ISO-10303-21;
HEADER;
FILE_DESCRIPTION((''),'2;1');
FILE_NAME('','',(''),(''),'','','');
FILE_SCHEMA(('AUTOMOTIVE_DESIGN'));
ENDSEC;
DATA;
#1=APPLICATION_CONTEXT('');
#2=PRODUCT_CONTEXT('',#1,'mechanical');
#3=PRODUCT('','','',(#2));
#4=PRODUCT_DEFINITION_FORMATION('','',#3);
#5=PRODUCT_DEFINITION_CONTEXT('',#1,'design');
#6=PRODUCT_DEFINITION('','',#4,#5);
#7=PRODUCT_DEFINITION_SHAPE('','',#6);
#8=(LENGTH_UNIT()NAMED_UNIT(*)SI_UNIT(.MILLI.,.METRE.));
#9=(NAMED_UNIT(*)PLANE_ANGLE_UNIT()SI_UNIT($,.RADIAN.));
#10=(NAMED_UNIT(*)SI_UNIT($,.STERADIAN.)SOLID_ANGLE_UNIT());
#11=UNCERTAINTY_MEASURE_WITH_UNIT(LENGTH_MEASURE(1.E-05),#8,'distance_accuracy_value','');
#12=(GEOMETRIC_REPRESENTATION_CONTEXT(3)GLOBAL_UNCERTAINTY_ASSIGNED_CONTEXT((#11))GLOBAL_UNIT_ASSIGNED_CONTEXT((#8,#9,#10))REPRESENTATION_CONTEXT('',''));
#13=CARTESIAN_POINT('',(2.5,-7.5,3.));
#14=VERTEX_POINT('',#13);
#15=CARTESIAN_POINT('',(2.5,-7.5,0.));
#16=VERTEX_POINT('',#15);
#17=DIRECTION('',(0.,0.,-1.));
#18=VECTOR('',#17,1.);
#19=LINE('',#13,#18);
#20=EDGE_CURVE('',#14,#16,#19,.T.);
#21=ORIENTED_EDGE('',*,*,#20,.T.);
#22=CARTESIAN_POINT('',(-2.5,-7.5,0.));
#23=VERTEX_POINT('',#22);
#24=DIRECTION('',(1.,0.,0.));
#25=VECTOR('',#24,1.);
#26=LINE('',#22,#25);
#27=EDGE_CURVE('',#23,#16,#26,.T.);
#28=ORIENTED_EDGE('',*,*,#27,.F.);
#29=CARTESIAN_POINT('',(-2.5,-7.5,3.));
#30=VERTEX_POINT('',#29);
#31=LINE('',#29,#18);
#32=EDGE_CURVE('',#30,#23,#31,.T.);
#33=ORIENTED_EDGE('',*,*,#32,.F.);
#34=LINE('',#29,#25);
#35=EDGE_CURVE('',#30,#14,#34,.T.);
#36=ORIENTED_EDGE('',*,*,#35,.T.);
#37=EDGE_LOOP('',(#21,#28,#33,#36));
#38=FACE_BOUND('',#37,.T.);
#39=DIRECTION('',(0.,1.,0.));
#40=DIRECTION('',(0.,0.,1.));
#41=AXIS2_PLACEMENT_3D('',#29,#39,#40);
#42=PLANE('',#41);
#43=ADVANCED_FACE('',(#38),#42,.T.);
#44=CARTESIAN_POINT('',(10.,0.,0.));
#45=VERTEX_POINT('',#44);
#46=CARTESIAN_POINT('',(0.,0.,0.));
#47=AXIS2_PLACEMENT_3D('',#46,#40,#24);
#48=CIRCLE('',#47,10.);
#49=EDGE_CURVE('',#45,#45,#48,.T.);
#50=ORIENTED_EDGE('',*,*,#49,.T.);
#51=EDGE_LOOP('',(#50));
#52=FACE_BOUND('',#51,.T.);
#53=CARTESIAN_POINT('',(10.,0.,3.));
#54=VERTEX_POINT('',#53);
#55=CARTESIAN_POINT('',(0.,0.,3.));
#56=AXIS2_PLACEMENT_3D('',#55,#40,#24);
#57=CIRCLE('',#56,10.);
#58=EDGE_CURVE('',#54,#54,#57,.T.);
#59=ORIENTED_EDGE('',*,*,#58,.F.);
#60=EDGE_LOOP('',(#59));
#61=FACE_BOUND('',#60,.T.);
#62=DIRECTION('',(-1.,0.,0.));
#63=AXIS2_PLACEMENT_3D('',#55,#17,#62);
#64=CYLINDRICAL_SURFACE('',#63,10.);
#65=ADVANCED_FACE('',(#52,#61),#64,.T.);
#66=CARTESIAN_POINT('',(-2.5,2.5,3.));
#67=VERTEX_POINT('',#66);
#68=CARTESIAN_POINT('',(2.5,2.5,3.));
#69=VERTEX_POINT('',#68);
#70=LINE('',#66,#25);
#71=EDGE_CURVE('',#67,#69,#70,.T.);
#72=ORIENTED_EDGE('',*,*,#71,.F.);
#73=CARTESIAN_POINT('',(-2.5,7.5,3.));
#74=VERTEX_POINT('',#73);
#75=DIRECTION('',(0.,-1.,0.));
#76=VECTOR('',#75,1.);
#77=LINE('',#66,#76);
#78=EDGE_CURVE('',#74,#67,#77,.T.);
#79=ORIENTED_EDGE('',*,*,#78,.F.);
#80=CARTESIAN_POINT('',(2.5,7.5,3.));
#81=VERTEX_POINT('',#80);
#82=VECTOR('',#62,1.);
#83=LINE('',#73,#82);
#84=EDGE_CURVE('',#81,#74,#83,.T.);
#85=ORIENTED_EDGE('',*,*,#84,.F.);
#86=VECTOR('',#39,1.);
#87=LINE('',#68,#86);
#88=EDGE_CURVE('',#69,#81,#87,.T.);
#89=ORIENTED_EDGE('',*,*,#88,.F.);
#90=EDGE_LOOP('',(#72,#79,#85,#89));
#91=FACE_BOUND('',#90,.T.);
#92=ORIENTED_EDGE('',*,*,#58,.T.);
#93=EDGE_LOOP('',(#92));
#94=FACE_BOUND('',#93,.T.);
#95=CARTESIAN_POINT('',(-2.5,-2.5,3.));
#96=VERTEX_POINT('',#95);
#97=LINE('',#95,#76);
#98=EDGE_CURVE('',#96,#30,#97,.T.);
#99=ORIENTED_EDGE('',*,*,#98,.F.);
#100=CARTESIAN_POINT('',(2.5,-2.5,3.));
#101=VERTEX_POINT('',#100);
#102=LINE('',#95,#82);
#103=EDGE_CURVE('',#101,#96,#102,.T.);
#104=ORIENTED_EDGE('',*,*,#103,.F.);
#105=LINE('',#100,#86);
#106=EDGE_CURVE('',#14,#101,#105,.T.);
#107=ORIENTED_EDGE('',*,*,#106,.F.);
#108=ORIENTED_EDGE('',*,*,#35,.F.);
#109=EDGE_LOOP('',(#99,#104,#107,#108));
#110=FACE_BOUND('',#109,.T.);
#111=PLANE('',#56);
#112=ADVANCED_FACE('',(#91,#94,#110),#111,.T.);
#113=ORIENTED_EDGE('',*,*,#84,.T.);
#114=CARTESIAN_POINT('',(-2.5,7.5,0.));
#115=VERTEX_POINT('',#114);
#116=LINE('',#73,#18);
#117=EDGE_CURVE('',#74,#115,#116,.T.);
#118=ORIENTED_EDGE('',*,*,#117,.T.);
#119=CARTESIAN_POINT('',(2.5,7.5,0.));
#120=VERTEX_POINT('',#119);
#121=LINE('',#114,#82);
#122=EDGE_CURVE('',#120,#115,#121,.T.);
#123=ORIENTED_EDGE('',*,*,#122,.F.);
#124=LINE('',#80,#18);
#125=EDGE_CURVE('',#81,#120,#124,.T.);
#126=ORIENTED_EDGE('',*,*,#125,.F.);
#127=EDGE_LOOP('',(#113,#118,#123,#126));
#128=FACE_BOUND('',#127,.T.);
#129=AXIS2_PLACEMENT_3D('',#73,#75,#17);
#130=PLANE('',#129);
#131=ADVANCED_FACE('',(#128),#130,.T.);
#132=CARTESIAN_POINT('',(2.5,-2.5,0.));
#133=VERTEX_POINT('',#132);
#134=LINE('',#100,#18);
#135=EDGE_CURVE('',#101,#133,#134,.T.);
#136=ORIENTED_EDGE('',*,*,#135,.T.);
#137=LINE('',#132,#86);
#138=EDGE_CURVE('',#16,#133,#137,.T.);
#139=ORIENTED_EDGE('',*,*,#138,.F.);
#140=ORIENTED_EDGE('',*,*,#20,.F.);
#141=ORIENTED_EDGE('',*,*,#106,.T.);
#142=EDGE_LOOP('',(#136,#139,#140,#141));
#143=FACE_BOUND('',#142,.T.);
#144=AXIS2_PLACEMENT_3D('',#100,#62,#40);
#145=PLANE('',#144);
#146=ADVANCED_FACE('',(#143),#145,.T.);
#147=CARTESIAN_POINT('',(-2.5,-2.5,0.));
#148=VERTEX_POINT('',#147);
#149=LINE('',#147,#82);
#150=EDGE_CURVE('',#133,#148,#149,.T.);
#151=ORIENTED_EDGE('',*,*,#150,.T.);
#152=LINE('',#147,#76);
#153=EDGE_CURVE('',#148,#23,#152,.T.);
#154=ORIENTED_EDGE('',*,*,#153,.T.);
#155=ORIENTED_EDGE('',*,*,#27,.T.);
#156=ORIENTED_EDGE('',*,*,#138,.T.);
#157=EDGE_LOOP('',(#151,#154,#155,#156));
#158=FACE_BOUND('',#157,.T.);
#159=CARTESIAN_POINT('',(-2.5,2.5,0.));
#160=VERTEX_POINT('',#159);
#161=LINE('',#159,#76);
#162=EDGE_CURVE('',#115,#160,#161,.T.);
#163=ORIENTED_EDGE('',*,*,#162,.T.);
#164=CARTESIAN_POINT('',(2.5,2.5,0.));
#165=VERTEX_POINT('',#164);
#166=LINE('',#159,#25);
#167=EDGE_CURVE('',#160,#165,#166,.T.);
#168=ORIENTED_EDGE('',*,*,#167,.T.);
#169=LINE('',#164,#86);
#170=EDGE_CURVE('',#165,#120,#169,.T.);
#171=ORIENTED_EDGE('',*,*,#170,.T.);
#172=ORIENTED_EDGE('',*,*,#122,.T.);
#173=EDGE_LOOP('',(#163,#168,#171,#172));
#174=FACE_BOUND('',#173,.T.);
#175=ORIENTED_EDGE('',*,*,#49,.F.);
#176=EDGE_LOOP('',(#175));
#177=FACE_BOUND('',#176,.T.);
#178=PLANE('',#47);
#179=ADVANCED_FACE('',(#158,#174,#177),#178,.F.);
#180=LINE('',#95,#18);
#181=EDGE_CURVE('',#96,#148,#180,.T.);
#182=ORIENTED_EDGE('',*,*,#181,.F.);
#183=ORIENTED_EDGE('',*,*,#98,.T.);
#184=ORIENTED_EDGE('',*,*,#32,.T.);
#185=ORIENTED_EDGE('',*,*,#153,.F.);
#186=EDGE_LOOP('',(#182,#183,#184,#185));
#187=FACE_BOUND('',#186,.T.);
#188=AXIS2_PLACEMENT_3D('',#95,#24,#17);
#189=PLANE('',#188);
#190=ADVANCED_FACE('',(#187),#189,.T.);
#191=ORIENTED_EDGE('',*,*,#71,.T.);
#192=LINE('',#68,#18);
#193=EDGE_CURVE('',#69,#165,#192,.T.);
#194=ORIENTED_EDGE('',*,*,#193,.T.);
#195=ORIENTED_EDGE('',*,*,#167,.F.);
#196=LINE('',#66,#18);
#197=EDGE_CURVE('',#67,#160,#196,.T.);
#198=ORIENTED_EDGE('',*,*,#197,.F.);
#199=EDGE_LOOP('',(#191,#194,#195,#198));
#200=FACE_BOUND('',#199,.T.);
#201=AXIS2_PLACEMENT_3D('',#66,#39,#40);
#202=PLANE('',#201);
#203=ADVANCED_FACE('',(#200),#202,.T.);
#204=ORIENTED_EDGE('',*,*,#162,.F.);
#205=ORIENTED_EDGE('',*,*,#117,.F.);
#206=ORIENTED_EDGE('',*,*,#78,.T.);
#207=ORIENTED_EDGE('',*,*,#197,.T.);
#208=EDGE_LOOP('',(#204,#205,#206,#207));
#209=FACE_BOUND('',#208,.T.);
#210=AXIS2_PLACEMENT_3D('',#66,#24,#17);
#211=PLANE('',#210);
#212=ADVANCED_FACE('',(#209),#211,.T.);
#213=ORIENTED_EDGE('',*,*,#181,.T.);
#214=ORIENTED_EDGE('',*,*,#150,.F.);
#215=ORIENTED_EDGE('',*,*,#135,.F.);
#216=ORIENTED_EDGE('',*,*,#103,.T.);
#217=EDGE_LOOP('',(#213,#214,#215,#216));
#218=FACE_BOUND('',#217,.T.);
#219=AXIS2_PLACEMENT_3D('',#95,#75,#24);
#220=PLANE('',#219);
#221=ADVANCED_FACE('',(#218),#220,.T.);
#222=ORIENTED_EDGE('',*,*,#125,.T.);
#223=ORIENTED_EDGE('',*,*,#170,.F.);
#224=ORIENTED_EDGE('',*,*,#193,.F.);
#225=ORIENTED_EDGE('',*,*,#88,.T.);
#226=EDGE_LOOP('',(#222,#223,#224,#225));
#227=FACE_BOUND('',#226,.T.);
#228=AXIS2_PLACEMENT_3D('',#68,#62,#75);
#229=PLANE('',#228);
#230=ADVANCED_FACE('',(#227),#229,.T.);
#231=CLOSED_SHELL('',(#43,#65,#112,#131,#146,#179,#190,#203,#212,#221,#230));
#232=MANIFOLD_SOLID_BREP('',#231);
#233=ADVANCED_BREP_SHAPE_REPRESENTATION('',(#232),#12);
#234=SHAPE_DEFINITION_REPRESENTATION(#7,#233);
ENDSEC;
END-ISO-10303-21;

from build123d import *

# Parameters (mm, degrees)
ESQUISSE1_R        = 10
ESQUISSE1_W        = 5
ESQUISSE1_H        = 5
BOSS_EXTRU_1_DEPTH = 3


with BuildPart() as part:
    # Esquisse1 → Boss.-Extru.1 (new body)
    with BuildSketch(Plane.XY):
        Circle(ESQUISSE1_R)
        with Locations((0, -5)):
            Rectangle(ESQUISSE1_W, ESQUISSE1_H, mode=Mode.SUBTRACT)
        with Locations((0, 5)):
            Rectangle(ESQUISSE1_W, ESQUISSE1_H, mode=Mode.SUBTRACT)
    extrude(amount=BOSS_EXTRU_1_DEPTH)


solid = part.part
